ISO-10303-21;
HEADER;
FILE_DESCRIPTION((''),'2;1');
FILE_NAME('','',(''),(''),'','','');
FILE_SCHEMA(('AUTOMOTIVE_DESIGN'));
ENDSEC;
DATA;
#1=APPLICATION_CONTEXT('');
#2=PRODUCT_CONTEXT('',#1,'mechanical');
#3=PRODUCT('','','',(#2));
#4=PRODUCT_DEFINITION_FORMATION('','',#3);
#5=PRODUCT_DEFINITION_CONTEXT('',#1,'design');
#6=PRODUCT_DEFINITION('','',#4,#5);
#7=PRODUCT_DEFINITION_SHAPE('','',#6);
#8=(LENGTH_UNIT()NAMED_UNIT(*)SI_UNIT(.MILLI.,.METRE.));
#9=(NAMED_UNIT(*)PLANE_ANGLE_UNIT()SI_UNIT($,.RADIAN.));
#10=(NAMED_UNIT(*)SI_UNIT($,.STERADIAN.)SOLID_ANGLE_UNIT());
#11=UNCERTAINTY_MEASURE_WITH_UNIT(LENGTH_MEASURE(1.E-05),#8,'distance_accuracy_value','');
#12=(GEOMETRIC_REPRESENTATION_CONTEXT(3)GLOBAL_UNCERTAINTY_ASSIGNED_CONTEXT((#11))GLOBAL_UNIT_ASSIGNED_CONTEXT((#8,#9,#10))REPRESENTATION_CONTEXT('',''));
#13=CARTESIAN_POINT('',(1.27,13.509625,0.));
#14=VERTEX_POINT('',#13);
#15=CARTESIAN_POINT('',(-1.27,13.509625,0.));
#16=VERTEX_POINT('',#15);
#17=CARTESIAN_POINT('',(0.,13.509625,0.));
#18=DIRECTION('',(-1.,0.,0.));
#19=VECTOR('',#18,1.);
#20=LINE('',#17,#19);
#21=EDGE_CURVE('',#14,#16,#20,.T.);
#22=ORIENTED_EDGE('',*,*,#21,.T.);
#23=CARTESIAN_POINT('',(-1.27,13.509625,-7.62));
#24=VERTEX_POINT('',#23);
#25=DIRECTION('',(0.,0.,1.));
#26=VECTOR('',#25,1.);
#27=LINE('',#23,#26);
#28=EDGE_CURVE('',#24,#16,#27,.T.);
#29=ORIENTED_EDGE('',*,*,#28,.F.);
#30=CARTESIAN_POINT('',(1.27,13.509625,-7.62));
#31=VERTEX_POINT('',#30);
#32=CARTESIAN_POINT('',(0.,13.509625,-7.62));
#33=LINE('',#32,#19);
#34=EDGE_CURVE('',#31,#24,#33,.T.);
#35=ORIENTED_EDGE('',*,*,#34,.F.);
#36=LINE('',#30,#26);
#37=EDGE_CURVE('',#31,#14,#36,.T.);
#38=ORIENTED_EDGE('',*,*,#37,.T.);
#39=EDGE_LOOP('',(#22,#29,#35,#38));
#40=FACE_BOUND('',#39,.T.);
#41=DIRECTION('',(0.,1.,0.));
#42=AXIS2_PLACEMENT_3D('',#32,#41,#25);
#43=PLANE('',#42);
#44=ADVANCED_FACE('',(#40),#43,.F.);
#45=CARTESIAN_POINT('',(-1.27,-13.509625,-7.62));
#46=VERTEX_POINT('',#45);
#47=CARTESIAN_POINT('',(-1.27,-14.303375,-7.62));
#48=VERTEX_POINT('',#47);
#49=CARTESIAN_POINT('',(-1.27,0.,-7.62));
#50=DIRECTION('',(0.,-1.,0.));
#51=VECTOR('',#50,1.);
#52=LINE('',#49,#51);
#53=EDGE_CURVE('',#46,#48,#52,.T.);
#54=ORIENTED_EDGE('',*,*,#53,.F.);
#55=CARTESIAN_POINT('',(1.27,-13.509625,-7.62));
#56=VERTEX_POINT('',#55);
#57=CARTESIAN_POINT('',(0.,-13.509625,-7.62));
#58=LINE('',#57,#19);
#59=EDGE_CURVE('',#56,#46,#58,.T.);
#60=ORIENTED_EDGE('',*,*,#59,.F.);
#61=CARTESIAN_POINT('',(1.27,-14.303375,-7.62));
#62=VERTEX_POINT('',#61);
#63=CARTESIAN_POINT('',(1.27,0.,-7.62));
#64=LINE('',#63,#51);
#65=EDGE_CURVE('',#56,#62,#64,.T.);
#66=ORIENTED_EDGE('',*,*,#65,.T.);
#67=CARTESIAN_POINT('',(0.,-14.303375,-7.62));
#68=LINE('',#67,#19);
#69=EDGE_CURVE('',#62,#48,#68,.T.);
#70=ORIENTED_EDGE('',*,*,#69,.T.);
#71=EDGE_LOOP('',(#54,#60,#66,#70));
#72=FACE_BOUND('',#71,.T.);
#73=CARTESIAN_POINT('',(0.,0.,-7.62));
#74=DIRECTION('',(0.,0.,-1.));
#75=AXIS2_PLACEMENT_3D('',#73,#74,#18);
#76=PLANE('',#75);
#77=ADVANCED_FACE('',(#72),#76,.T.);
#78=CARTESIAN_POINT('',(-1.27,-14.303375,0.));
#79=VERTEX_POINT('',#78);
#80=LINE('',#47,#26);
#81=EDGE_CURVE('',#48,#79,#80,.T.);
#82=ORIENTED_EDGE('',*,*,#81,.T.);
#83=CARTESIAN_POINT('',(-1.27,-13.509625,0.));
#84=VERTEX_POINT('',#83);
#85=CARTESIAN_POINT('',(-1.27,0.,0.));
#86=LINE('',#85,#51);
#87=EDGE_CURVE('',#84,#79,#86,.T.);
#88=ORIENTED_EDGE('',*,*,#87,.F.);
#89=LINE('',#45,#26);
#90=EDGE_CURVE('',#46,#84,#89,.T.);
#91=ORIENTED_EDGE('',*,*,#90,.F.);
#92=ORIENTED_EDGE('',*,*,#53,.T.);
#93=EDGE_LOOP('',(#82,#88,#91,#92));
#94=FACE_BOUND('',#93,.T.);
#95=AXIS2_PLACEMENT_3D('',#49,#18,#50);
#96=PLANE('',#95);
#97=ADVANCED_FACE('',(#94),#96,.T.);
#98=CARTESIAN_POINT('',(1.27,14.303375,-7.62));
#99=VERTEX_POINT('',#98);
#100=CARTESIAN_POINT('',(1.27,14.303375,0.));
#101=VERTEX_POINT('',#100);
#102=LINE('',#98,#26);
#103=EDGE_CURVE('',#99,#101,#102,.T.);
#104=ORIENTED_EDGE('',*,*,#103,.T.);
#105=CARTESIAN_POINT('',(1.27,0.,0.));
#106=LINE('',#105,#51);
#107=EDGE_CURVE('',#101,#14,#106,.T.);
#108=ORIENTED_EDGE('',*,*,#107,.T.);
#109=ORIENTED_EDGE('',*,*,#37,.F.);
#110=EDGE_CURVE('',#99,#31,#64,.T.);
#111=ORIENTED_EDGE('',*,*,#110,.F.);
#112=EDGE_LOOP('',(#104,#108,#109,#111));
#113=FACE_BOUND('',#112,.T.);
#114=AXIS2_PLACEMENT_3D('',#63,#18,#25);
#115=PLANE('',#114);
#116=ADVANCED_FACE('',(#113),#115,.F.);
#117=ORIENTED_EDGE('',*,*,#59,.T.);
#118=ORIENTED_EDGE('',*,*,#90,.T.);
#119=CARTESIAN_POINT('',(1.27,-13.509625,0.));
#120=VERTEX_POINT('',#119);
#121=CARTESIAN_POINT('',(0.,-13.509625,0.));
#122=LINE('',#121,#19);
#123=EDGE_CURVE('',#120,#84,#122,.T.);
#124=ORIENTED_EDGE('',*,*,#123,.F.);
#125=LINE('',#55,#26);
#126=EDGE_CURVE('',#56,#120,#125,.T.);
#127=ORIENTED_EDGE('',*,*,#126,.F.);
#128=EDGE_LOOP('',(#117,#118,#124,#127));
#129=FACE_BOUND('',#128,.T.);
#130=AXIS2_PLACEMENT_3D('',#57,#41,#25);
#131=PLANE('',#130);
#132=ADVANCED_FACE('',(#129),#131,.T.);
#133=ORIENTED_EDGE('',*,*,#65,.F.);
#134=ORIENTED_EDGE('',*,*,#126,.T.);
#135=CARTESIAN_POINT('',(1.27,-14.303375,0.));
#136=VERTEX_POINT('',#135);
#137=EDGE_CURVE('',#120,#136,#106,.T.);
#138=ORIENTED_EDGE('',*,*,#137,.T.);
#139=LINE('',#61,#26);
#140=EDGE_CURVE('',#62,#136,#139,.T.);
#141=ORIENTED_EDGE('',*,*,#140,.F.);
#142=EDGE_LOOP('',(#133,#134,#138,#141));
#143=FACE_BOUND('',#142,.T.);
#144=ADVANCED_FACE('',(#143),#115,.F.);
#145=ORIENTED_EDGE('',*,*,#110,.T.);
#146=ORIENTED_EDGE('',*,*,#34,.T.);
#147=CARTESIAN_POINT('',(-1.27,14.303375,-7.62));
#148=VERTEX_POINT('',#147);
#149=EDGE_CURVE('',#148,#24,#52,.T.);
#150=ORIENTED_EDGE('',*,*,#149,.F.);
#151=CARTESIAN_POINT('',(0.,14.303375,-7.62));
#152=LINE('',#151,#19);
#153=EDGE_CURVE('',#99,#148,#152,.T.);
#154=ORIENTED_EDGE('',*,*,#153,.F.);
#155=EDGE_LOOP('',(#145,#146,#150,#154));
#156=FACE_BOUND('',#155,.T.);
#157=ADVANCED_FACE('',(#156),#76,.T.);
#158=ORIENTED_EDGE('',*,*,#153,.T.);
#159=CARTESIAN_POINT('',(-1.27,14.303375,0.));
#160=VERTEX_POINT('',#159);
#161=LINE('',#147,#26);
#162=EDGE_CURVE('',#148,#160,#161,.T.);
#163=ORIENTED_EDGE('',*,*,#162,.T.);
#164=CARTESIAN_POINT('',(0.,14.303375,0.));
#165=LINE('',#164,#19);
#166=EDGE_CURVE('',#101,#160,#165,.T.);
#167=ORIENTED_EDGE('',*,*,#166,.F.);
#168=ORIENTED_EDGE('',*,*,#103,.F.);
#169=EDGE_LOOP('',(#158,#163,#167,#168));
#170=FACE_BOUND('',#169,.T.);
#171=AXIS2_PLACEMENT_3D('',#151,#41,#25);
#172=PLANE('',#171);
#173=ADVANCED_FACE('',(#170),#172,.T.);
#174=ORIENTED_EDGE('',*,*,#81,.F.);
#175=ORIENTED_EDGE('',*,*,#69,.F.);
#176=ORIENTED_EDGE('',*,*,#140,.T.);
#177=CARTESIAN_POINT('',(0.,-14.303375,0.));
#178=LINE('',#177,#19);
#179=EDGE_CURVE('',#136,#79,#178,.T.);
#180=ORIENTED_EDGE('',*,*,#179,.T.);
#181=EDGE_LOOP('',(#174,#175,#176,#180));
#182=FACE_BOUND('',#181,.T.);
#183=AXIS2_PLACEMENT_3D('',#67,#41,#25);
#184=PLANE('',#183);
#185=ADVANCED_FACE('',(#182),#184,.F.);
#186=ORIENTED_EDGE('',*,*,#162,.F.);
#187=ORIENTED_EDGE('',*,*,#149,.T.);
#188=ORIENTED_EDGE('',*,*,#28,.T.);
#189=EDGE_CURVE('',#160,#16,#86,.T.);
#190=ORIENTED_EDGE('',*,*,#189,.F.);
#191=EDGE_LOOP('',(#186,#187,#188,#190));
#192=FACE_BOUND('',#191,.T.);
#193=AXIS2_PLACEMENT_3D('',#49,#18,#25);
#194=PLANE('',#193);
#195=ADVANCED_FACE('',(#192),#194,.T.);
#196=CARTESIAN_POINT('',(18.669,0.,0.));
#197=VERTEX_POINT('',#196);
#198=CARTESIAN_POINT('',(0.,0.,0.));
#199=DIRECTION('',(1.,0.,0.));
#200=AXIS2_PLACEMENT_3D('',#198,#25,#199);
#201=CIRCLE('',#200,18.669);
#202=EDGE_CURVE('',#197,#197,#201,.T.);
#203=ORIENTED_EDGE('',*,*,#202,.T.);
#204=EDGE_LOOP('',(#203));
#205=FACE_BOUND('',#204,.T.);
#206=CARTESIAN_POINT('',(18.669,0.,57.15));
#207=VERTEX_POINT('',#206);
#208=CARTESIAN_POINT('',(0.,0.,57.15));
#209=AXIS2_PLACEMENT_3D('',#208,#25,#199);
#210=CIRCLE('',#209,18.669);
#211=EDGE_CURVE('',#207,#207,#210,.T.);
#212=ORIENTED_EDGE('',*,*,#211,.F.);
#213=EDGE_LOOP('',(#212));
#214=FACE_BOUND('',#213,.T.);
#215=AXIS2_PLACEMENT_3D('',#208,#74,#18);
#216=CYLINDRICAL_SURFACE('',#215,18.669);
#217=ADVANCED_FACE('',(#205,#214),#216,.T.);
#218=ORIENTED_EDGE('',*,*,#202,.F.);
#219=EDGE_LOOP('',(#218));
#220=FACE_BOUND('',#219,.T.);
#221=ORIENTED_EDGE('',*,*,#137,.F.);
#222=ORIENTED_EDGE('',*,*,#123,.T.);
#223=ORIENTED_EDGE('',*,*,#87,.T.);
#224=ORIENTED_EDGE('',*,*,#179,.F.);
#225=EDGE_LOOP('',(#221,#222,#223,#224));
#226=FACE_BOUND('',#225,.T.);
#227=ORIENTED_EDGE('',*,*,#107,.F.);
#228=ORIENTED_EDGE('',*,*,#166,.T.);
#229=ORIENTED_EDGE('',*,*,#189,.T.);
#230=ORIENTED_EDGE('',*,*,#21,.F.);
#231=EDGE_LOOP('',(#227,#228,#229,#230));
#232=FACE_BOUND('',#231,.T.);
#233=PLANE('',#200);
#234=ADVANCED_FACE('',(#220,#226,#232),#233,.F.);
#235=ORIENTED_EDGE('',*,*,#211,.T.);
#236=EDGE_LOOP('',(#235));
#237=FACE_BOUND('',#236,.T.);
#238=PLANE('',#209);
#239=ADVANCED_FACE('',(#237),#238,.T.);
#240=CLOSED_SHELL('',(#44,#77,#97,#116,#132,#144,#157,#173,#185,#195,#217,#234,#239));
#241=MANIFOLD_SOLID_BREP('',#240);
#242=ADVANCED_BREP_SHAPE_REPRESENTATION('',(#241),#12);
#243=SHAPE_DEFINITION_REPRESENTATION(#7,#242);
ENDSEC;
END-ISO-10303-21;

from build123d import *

# Parameters (mm, degrees)
SKETCH1_R           = 18.669
BOSS_EXTRUDE1_DEPTH = 57.15
SKETCH2_W           = 2.54
SKETCH2_H           = 0.79375
BOSS_EXTRUDE2_DEPTH = 7.62


with BuildPart() as part:
    # Sketch1 → Boss-Extrude1 (new body)
    with BuildSketch(Plane.XY):
        Circle(SKETCH1_R)
    extrude(amount=BOSS_EXTRUDE1_DEPTH)

    # Sketch2 → Boss-Extrude2 (add)
    with BuildSketch(Plane(origin=(0, 0, 0), x_dir=(-1, 0, 0), z_dir=(0, 0, -1))):
        with Locations((0, 13.9065)):
            Rectangle(SKETCH2_W, SKETCH2_H)
        with Locations((0, -13.9065)):
            Rectangle(SKETCH2_W, SKETCH2_H)
    extrude(amount=BOSS_EXTRUDE2_DEPTH)


solid = part.part
